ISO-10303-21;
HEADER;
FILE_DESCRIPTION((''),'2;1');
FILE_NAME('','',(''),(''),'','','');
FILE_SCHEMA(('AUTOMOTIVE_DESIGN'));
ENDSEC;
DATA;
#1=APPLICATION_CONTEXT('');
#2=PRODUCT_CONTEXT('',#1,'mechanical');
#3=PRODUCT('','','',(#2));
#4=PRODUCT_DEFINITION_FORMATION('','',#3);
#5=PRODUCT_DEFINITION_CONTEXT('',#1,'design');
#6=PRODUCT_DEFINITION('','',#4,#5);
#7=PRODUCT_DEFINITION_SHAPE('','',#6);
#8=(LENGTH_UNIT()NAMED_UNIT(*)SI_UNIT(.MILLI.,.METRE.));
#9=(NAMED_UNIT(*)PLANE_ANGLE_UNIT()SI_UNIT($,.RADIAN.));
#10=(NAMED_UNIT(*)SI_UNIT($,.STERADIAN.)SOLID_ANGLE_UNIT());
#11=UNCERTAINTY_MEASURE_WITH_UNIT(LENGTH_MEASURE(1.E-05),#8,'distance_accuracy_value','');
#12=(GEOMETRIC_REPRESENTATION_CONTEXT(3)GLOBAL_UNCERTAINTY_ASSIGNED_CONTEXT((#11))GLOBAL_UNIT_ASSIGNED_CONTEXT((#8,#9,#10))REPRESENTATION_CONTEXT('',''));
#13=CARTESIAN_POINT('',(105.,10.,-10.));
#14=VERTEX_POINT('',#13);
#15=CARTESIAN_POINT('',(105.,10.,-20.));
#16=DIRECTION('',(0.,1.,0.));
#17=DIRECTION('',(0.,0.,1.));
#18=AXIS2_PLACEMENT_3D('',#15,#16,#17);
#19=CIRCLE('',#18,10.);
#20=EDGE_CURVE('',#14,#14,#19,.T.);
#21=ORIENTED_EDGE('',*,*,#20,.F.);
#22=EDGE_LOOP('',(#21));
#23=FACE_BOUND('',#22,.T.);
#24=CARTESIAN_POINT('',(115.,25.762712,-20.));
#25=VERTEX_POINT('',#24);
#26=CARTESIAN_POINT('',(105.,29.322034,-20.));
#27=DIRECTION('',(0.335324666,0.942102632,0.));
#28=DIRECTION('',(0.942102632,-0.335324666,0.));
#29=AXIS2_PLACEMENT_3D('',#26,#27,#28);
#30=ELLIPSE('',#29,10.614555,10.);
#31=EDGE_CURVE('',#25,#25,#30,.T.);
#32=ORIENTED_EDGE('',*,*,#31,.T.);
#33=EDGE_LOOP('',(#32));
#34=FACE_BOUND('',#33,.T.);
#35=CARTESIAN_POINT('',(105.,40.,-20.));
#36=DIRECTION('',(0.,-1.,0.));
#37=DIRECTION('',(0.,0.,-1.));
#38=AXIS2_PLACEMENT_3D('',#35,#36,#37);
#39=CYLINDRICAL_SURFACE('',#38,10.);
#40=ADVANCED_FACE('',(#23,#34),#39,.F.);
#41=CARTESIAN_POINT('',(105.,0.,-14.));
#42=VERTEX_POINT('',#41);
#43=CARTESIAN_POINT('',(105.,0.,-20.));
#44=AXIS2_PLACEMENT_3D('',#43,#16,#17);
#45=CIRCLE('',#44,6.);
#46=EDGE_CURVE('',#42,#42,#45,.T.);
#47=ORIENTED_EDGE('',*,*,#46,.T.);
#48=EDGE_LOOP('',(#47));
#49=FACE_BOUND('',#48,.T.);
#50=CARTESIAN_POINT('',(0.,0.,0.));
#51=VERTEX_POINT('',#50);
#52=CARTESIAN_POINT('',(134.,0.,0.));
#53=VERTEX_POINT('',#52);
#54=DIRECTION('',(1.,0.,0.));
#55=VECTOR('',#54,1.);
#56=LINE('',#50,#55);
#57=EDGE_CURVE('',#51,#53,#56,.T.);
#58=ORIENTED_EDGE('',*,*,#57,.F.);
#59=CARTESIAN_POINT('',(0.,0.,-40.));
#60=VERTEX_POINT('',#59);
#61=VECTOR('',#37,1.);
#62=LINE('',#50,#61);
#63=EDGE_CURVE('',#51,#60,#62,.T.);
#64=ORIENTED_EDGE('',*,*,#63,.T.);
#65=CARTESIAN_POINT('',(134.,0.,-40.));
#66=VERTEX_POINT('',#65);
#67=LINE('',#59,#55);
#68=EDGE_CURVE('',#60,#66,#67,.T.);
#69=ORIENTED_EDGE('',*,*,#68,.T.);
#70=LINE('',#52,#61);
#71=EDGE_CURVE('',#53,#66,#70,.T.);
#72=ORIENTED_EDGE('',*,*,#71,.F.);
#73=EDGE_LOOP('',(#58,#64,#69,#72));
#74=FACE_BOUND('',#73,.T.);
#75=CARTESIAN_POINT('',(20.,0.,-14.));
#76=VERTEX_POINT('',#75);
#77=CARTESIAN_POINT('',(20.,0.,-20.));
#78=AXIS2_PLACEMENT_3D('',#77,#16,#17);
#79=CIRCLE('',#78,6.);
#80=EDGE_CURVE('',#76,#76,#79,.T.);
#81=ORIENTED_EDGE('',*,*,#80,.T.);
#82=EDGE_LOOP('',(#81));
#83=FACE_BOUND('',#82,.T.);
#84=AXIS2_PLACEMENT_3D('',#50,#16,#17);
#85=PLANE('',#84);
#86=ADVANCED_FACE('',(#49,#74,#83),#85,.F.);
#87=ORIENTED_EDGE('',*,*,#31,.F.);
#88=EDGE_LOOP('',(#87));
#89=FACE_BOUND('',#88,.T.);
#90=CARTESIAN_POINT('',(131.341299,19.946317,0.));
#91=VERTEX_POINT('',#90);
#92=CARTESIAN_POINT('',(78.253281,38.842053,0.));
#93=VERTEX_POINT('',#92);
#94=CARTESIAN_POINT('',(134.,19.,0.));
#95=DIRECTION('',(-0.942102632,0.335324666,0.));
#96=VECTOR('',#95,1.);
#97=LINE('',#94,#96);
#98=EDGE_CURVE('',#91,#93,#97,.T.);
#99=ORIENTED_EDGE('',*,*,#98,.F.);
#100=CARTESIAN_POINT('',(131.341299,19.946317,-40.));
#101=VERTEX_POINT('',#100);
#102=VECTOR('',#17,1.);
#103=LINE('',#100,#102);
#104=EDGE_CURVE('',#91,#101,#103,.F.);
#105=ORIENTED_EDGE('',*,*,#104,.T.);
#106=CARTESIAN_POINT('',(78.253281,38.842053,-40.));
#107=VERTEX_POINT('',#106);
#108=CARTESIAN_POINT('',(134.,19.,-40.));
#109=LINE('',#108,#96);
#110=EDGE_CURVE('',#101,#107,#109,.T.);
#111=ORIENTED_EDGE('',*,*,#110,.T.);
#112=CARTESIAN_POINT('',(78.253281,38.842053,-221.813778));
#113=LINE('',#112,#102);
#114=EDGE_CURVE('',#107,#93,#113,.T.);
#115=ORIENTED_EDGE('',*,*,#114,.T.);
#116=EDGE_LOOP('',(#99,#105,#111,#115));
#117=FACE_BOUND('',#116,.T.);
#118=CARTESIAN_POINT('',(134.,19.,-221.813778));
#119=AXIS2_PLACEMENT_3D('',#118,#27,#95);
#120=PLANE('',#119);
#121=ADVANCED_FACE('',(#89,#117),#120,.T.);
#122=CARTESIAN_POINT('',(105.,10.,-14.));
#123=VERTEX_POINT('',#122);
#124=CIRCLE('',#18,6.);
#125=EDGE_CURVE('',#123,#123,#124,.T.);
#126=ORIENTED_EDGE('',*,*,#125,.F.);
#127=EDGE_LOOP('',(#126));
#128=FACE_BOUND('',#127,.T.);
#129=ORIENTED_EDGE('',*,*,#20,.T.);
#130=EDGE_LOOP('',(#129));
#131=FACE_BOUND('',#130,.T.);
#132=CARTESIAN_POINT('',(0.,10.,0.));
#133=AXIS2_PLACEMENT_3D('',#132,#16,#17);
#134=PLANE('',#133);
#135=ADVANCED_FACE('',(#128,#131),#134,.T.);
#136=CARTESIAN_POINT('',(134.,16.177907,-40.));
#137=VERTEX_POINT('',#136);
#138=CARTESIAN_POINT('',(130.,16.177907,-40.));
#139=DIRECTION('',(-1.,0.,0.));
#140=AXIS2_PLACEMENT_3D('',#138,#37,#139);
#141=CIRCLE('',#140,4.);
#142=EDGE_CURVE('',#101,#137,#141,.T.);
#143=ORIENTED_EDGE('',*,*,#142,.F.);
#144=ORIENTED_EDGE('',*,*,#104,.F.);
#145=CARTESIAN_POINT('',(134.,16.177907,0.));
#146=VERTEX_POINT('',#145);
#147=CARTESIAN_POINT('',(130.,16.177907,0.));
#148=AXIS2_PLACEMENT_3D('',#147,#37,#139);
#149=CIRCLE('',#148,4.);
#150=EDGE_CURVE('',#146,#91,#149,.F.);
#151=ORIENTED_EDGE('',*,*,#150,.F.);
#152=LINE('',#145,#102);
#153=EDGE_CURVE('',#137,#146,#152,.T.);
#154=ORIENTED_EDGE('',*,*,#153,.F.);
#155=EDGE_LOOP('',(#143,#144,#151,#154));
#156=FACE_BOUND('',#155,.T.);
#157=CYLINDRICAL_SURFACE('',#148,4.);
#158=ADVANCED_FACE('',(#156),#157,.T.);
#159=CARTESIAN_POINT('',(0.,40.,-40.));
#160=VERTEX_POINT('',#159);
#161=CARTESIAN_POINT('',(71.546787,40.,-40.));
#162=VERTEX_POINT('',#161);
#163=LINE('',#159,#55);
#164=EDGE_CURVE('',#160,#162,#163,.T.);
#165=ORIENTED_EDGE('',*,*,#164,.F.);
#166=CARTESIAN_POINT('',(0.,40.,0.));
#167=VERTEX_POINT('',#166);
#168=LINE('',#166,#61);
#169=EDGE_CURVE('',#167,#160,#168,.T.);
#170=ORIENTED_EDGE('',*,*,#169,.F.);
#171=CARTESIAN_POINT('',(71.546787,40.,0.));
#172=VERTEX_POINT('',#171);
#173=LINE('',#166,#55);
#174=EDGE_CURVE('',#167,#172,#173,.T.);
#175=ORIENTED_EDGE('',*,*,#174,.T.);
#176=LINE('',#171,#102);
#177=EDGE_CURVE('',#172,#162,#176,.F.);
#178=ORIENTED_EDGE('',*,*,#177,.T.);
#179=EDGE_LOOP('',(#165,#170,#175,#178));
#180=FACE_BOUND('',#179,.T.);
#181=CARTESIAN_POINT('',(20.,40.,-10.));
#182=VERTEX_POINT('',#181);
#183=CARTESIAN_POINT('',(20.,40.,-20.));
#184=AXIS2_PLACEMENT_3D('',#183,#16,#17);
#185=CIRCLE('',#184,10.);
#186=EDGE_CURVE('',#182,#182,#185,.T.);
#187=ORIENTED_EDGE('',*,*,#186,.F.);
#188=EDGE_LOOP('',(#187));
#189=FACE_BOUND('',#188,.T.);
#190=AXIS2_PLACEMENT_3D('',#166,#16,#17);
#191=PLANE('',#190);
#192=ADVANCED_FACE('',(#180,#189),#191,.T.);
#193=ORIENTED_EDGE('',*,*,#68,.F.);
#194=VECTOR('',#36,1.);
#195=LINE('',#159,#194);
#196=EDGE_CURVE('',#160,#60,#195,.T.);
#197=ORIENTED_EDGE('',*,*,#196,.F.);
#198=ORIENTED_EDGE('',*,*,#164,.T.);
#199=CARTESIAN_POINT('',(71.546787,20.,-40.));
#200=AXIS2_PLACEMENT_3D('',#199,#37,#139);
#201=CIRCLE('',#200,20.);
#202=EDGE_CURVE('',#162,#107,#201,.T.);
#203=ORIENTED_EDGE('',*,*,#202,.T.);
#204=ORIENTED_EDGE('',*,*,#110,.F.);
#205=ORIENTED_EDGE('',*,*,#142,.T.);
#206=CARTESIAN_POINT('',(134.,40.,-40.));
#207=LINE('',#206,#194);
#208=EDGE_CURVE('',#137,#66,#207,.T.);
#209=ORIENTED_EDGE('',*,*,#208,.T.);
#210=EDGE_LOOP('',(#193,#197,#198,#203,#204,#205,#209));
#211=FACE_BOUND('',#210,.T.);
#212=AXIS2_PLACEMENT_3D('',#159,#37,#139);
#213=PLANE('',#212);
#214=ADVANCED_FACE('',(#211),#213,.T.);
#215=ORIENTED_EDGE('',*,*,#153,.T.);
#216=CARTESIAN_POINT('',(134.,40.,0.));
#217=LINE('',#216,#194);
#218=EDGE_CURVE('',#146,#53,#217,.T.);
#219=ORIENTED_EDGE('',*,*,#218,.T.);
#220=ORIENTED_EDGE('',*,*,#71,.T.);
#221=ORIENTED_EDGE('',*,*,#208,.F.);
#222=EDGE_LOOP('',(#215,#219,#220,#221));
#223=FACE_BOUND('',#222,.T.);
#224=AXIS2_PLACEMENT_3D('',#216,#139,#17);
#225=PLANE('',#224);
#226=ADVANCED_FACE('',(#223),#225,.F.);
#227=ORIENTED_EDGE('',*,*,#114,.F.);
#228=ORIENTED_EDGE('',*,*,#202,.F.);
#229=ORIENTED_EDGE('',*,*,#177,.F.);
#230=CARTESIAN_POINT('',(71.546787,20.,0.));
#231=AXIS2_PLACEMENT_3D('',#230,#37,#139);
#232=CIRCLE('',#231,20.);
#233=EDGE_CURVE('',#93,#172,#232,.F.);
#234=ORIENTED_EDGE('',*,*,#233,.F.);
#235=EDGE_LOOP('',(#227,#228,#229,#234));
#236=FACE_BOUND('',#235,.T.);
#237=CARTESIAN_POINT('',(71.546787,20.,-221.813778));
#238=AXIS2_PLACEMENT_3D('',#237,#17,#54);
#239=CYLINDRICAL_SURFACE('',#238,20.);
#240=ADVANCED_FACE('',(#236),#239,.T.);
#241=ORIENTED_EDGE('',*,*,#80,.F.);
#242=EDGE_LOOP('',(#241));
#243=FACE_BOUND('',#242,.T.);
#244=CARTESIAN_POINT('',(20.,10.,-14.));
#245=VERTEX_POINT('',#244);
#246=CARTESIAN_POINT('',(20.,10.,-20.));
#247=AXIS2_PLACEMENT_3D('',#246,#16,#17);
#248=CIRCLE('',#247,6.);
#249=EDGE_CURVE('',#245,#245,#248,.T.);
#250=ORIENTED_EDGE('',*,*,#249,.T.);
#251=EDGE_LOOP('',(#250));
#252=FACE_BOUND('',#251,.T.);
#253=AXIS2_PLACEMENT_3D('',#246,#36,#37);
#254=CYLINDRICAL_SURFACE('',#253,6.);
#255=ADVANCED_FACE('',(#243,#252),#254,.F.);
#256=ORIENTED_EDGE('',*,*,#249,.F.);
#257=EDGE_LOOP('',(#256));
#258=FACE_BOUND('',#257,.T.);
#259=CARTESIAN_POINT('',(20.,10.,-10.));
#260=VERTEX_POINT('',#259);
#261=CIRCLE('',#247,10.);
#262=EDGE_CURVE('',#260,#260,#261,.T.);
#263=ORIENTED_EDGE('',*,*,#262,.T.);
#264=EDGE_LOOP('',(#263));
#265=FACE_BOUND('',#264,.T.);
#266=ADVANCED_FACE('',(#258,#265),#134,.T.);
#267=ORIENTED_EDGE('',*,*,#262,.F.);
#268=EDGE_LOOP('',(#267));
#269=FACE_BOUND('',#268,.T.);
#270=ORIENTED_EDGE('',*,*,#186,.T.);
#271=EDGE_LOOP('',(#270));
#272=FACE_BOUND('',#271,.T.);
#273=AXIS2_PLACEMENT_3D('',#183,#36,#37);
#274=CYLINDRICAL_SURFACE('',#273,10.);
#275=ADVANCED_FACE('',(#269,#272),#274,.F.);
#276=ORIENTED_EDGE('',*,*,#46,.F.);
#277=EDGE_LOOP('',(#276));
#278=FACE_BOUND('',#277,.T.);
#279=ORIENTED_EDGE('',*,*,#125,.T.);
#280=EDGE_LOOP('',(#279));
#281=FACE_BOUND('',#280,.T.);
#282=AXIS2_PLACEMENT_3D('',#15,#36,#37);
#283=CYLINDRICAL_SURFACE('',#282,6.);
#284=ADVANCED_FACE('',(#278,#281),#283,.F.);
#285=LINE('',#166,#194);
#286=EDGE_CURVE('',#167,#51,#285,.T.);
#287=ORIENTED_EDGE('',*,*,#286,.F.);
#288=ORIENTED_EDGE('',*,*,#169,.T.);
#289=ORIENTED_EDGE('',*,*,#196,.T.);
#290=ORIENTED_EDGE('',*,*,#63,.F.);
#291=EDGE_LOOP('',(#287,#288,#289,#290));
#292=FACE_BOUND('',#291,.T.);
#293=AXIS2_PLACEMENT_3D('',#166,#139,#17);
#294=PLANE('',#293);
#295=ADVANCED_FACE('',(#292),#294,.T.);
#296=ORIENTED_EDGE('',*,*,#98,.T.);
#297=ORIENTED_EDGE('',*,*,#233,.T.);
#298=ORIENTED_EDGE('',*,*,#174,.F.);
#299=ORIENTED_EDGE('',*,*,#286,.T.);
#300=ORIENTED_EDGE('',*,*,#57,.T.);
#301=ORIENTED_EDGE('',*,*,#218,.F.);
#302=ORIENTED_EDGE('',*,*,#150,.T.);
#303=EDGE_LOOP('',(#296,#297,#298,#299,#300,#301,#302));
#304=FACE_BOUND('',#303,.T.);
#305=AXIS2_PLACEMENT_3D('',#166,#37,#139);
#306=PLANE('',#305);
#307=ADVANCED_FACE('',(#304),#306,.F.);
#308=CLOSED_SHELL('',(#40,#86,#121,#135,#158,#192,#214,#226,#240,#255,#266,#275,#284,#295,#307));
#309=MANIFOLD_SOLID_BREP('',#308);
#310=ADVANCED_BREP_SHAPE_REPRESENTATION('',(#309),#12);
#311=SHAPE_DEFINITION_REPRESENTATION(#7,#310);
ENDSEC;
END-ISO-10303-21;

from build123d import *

# Parameters (mm, degrees)
SKETCH1_W               = 75
SKETCH1_H               = 40
SKETCH1_R               = 10
BOSS_EXTRUDE1_DEPTH     = 40
SKETCH1_4_W             = 59
SKETCH1_4_H             = 40
SKETCH1_4_R             = 10
BOSS_EXTRUDE2_DEPTH     = 40
CUT_EXTRUDE2_DEPTH      = 146.451022685
CUT_EXTRUDE2_DEPTH_BACK = 40
FILLET2_R               = 20
FILLET3_R               = 4
SKETCH1_5_R             = 10
SKETCH1_5_R_2           = 6
BOSS_EXTRUDE3_DEPTH     = 10


with BuildPart() as part:
    # Sketch1 → Boss-Extrude1 (new body)
    with BuildSketch(Plane(origin=(0, 0, 0), x_dir=(1, 0, 0), z_dir=(0, 1, 0))):
        with Locations((37.5, 20)):
            Rectangle(SKETCH1_W, SKETCH1_H)
        with Locations((20, 20)):
            Circle(SKETCH1_R, mode=Mode.SUBTRACT)
    extrude(amount=BOSS_EXTRUDE1_DEPTH)

    # Sketch1<4> → Boss-Extrude2 (add)
    with BuildSketch(Plane(origin=(0, 0, 0), x_dir=(1, 0, 0), z_dir=(0, 1, 0))):
        with Locations((104.5, 20)):
            Rectangle(SKETCH1_4_W, SKETCH1_4_H)
        with Locations((105, 20)):
            Circle(SKETCH1_4_R, mode=Mode.SUBTRACT)
    extrude(amount=BOSS_EXTRUDE2_DEPTH)

    # Sketch5 → Cut-Extrude2 (cut, two sides: drawn at the far end of the back side and taken through both)
    with BuildSketch(Plane(origin=(0, 0, -40), x_dir=(-1, 0, 0), z_dir=(0, 0, -1)).offset(-CUT_EXTRUDE2_DEPTH_BACK)):
        Polygon((-398.986226701, -75.317131538), (-134, 19), (-75, 40), (189.986226701, 134.317131538), (1.351963626, 664.289584939), (-587.620489776, 454.655321864), align=None)
    extrude(amount=CUT_EXTRUDE2_DEPTH + CUT_EXTRUDE2_DEPTH_BACK, mode=Mode.SUBTRACT)

    # Fillet2
    fillet2_edges = [part.edges().sort_by_distance(p)[0] for p in [
        (75, 40, -20),
    ]]
    fillet(fillet2_edges, radius=FILLET2_R)

    # Fillet3
    fillet3_edges = [part.edges().sort_by_distance(p)[0] for p in [
        (134, 19, -20),
    ]]
    fillet(fillet3_edges, radius=FILLET3_R)

    # Sketch1<5> → Boss-Extrude3 (add)
    # profile 1 of 2: a face of its own
    with BuildSketch(Plane(origin=(0, 0, 0), x_dir=(1, 0, 0), z_dir=(0, 1, 0))):
        with Locations((20, 20)):
            Circle(SKETCH1_5_R)
        with Locations((20, 20)):
            Circle(SKETCH1_5_R_2, mode=Mode.SUBTRACT)
    # profile 2 of 2: a face of its own
    with BuildSketch(Plane(origin=(0, 0, 0), x_dir=(1, 0, 0), z_dir=(0, 1, 0))):
        with Locations((105, 20)):
            Circle(SKETCH1_5_R)
        with Locations((105, 20)):
            Circle(SKETCH1_5_R_2, mode=Mode.SUBTRACT)
    extrude(amount=BOSS_EXTRUDE3_DEPTH)


solid = part.part
